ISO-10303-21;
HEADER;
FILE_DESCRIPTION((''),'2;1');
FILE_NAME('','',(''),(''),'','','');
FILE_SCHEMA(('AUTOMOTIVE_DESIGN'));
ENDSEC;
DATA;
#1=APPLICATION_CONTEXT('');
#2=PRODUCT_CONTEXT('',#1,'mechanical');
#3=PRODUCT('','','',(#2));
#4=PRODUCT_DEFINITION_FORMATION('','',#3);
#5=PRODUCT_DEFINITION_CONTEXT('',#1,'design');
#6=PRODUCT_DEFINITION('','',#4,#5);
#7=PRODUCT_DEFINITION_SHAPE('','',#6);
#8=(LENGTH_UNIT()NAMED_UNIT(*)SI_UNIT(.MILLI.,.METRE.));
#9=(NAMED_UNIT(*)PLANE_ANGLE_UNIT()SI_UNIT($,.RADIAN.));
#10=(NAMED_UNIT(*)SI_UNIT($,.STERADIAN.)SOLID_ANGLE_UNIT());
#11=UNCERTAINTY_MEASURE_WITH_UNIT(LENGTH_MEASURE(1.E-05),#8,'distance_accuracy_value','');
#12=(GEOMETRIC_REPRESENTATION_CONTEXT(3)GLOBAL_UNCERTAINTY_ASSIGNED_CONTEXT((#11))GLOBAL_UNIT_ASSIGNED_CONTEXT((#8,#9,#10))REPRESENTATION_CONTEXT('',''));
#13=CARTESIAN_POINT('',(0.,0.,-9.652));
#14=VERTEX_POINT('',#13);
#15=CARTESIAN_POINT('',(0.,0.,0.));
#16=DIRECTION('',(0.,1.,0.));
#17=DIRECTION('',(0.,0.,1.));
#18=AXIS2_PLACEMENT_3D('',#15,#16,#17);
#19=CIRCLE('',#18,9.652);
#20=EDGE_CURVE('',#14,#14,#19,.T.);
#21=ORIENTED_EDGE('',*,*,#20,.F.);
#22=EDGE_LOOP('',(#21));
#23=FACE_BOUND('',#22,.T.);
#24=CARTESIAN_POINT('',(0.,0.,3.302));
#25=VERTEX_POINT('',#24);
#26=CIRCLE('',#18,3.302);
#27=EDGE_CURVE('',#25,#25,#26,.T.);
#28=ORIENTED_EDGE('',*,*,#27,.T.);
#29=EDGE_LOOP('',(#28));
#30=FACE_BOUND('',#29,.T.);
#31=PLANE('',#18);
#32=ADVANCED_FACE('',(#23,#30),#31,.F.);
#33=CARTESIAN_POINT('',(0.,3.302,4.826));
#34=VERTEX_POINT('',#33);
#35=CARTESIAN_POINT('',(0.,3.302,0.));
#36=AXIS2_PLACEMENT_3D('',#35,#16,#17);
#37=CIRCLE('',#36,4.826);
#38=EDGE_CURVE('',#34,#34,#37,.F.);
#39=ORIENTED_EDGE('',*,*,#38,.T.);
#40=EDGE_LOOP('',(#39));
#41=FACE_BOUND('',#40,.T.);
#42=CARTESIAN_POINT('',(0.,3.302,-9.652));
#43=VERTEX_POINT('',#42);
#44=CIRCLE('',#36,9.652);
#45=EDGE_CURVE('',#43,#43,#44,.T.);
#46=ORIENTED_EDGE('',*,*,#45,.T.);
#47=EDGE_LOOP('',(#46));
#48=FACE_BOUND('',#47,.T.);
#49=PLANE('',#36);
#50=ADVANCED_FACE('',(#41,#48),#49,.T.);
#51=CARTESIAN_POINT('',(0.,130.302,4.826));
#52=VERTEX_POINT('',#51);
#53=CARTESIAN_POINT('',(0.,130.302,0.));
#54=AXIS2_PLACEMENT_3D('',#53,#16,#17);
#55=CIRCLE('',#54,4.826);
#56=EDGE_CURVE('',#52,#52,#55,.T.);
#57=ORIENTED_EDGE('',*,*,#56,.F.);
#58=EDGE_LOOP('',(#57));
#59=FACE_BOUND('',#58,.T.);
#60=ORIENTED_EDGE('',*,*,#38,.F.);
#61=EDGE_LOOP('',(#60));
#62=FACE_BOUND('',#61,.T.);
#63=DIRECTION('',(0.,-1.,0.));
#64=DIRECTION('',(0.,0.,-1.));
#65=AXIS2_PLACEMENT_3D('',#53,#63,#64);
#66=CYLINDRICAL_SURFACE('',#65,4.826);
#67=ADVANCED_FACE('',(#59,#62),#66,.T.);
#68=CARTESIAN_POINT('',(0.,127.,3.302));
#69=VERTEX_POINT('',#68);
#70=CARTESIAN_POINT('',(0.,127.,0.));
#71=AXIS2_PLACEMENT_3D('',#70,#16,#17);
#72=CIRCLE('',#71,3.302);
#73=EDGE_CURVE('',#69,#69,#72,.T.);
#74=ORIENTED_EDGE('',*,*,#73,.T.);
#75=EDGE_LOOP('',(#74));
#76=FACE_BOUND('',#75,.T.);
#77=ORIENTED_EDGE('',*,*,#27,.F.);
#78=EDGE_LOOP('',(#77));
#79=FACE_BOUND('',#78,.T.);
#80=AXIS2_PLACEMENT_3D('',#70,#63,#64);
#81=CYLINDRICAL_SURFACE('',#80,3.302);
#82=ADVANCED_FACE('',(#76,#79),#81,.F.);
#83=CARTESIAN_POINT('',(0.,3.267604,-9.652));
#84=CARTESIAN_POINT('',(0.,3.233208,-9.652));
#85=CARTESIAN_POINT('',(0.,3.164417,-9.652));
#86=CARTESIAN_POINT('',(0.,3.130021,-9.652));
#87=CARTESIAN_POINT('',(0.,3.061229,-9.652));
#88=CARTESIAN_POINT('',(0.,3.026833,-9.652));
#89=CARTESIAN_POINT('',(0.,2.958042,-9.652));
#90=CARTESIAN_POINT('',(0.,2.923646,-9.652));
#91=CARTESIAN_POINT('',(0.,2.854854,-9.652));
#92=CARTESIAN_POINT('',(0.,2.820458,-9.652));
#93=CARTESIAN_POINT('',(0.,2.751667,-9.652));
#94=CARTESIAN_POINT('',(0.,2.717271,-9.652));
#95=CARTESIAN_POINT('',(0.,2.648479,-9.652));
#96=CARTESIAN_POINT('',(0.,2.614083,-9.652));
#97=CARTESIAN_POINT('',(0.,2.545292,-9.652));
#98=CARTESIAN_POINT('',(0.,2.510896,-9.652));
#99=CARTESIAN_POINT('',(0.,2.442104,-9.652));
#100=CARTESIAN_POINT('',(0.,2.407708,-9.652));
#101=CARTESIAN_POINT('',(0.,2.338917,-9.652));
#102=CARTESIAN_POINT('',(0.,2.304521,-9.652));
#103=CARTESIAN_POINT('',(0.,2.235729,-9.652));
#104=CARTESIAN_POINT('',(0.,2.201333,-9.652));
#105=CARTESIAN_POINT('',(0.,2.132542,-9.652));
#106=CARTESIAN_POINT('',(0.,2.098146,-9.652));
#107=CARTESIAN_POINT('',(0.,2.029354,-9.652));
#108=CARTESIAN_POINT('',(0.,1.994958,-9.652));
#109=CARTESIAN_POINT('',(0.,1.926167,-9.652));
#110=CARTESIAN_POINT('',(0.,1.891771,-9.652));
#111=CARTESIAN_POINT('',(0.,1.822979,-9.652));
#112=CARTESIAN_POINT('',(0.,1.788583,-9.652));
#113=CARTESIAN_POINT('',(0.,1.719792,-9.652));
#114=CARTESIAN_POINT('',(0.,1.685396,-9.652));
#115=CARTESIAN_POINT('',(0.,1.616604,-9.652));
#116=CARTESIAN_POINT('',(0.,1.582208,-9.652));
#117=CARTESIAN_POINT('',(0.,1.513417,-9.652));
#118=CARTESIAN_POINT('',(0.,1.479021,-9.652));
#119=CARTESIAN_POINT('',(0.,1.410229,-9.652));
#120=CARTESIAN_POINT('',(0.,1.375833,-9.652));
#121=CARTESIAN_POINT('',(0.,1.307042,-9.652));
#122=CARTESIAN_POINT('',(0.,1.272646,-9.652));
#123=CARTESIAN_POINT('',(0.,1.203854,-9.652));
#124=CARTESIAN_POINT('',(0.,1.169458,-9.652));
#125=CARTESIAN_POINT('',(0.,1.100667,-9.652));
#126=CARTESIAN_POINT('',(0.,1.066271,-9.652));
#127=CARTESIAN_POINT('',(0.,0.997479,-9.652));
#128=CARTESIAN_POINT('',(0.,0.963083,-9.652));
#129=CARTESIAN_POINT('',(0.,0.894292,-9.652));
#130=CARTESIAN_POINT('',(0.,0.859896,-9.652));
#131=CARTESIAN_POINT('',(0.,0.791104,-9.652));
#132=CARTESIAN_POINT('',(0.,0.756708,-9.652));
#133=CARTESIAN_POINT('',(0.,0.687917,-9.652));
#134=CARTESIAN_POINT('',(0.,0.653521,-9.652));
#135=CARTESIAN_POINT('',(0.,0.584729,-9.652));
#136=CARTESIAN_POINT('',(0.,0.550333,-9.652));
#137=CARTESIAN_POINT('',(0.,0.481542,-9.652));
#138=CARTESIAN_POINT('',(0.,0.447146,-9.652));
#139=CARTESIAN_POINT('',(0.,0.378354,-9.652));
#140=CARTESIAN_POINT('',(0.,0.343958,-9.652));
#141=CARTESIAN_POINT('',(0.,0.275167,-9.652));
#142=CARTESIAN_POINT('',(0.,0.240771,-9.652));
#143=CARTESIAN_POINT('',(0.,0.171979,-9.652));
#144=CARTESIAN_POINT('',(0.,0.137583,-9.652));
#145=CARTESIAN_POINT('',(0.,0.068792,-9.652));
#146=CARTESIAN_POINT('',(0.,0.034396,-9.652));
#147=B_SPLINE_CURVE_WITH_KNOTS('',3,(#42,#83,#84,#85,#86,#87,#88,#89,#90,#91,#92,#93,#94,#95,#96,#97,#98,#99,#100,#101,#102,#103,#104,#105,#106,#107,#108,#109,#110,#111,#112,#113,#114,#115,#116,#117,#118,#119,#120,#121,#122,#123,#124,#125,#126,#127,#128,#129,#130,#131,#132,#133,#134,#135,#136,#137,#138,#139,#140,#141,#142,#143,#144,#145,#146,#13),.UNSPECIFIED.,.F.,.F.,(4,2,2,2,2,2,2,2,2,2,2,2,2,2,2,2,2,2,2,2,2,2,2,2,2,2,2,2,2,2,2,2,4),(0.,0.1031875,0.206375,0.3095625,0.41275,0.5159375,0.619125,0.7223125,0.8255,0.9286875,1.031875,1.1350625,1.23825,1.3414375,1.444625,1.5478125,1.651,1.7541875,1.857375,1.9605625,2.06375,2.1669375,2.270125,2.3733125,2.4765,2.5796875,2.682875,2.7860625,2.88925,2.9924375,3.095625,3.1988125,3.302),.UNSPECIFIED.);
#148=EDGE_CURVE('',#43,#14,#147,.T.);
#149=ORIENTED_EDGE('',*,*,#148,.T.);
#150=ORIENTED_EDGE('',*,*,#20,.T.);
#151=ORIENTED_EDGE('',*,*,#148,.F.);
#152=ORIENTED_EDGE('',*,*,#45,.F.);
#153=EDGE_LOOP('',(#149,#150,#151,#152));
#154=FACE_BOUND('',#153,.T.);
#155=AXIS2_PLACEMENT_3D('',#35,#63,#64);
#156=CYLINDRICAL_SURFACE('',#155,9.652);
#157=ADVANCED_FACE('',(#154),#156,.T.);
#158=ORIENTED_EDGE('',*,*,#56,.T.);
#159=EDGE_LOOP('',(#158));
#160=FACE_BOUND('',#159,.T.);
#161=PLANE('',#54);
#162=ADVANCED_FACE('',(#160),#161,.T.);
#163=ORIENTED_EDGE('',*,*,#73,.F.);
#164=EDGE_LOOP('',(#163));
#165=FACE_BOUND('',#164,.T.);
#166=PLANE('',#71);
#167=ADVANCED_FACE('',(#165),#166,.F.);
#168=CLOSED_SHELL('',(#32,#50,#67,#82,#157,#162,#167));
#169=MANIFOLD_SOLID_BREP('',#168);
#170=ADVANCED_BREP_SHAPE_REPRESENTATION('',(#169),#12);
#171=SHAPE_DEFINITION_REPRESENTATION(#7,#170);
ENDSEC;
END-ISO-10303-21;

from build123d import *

# Parameters (mm, degrees)
SKETCH1_R           = 9.652
BOSS_EXTRUDE1_DEPTH = 3.302
SKETCH1_4_R         = 4.826
BOSS_EXTRUDE2_DEPTH = 130.302
SKETCH1_6_R         = 3.302
CUT_EXTRUDE1_DEPTH  = 127


with BuildPart() as part:
    # Sketch1 → Boss-Extrude1 (new body)
    with BuildSketch(Plane(origin=(0, 0, 0), x_dir=(1, 0, 0), z_dir=(0, 1, 0))):
        Circle(SKETCH1_R)
    extrude(amount=BOSS_EXTRUDE1_DEPTH)

    # Sketch1<4> → Boss-Extrude2 (add)
    with BuildSketch(Plane(origin=(0, 0, 0), x_dir=(1, 0, 0), z_dir=(0, 1, 0))):
        Circle(SKETCH1_4_R)
    extrude(amount=BOSS_EXTRUDE2_DEPTH)

    # Sketch1<6> → Cut-Extrude1 (cut)
    with BuildSketch(Plane(origin=(0, 0, 0), x_dir=(1, 0, 0), z_dir=(0, 1, 0))):
        Circle(SKETCH1_6_R)
    extrude(amount=CUT_EXTRUDE1_DEPTH, mode=Mode.SUBTRACT)


solid = part.part
